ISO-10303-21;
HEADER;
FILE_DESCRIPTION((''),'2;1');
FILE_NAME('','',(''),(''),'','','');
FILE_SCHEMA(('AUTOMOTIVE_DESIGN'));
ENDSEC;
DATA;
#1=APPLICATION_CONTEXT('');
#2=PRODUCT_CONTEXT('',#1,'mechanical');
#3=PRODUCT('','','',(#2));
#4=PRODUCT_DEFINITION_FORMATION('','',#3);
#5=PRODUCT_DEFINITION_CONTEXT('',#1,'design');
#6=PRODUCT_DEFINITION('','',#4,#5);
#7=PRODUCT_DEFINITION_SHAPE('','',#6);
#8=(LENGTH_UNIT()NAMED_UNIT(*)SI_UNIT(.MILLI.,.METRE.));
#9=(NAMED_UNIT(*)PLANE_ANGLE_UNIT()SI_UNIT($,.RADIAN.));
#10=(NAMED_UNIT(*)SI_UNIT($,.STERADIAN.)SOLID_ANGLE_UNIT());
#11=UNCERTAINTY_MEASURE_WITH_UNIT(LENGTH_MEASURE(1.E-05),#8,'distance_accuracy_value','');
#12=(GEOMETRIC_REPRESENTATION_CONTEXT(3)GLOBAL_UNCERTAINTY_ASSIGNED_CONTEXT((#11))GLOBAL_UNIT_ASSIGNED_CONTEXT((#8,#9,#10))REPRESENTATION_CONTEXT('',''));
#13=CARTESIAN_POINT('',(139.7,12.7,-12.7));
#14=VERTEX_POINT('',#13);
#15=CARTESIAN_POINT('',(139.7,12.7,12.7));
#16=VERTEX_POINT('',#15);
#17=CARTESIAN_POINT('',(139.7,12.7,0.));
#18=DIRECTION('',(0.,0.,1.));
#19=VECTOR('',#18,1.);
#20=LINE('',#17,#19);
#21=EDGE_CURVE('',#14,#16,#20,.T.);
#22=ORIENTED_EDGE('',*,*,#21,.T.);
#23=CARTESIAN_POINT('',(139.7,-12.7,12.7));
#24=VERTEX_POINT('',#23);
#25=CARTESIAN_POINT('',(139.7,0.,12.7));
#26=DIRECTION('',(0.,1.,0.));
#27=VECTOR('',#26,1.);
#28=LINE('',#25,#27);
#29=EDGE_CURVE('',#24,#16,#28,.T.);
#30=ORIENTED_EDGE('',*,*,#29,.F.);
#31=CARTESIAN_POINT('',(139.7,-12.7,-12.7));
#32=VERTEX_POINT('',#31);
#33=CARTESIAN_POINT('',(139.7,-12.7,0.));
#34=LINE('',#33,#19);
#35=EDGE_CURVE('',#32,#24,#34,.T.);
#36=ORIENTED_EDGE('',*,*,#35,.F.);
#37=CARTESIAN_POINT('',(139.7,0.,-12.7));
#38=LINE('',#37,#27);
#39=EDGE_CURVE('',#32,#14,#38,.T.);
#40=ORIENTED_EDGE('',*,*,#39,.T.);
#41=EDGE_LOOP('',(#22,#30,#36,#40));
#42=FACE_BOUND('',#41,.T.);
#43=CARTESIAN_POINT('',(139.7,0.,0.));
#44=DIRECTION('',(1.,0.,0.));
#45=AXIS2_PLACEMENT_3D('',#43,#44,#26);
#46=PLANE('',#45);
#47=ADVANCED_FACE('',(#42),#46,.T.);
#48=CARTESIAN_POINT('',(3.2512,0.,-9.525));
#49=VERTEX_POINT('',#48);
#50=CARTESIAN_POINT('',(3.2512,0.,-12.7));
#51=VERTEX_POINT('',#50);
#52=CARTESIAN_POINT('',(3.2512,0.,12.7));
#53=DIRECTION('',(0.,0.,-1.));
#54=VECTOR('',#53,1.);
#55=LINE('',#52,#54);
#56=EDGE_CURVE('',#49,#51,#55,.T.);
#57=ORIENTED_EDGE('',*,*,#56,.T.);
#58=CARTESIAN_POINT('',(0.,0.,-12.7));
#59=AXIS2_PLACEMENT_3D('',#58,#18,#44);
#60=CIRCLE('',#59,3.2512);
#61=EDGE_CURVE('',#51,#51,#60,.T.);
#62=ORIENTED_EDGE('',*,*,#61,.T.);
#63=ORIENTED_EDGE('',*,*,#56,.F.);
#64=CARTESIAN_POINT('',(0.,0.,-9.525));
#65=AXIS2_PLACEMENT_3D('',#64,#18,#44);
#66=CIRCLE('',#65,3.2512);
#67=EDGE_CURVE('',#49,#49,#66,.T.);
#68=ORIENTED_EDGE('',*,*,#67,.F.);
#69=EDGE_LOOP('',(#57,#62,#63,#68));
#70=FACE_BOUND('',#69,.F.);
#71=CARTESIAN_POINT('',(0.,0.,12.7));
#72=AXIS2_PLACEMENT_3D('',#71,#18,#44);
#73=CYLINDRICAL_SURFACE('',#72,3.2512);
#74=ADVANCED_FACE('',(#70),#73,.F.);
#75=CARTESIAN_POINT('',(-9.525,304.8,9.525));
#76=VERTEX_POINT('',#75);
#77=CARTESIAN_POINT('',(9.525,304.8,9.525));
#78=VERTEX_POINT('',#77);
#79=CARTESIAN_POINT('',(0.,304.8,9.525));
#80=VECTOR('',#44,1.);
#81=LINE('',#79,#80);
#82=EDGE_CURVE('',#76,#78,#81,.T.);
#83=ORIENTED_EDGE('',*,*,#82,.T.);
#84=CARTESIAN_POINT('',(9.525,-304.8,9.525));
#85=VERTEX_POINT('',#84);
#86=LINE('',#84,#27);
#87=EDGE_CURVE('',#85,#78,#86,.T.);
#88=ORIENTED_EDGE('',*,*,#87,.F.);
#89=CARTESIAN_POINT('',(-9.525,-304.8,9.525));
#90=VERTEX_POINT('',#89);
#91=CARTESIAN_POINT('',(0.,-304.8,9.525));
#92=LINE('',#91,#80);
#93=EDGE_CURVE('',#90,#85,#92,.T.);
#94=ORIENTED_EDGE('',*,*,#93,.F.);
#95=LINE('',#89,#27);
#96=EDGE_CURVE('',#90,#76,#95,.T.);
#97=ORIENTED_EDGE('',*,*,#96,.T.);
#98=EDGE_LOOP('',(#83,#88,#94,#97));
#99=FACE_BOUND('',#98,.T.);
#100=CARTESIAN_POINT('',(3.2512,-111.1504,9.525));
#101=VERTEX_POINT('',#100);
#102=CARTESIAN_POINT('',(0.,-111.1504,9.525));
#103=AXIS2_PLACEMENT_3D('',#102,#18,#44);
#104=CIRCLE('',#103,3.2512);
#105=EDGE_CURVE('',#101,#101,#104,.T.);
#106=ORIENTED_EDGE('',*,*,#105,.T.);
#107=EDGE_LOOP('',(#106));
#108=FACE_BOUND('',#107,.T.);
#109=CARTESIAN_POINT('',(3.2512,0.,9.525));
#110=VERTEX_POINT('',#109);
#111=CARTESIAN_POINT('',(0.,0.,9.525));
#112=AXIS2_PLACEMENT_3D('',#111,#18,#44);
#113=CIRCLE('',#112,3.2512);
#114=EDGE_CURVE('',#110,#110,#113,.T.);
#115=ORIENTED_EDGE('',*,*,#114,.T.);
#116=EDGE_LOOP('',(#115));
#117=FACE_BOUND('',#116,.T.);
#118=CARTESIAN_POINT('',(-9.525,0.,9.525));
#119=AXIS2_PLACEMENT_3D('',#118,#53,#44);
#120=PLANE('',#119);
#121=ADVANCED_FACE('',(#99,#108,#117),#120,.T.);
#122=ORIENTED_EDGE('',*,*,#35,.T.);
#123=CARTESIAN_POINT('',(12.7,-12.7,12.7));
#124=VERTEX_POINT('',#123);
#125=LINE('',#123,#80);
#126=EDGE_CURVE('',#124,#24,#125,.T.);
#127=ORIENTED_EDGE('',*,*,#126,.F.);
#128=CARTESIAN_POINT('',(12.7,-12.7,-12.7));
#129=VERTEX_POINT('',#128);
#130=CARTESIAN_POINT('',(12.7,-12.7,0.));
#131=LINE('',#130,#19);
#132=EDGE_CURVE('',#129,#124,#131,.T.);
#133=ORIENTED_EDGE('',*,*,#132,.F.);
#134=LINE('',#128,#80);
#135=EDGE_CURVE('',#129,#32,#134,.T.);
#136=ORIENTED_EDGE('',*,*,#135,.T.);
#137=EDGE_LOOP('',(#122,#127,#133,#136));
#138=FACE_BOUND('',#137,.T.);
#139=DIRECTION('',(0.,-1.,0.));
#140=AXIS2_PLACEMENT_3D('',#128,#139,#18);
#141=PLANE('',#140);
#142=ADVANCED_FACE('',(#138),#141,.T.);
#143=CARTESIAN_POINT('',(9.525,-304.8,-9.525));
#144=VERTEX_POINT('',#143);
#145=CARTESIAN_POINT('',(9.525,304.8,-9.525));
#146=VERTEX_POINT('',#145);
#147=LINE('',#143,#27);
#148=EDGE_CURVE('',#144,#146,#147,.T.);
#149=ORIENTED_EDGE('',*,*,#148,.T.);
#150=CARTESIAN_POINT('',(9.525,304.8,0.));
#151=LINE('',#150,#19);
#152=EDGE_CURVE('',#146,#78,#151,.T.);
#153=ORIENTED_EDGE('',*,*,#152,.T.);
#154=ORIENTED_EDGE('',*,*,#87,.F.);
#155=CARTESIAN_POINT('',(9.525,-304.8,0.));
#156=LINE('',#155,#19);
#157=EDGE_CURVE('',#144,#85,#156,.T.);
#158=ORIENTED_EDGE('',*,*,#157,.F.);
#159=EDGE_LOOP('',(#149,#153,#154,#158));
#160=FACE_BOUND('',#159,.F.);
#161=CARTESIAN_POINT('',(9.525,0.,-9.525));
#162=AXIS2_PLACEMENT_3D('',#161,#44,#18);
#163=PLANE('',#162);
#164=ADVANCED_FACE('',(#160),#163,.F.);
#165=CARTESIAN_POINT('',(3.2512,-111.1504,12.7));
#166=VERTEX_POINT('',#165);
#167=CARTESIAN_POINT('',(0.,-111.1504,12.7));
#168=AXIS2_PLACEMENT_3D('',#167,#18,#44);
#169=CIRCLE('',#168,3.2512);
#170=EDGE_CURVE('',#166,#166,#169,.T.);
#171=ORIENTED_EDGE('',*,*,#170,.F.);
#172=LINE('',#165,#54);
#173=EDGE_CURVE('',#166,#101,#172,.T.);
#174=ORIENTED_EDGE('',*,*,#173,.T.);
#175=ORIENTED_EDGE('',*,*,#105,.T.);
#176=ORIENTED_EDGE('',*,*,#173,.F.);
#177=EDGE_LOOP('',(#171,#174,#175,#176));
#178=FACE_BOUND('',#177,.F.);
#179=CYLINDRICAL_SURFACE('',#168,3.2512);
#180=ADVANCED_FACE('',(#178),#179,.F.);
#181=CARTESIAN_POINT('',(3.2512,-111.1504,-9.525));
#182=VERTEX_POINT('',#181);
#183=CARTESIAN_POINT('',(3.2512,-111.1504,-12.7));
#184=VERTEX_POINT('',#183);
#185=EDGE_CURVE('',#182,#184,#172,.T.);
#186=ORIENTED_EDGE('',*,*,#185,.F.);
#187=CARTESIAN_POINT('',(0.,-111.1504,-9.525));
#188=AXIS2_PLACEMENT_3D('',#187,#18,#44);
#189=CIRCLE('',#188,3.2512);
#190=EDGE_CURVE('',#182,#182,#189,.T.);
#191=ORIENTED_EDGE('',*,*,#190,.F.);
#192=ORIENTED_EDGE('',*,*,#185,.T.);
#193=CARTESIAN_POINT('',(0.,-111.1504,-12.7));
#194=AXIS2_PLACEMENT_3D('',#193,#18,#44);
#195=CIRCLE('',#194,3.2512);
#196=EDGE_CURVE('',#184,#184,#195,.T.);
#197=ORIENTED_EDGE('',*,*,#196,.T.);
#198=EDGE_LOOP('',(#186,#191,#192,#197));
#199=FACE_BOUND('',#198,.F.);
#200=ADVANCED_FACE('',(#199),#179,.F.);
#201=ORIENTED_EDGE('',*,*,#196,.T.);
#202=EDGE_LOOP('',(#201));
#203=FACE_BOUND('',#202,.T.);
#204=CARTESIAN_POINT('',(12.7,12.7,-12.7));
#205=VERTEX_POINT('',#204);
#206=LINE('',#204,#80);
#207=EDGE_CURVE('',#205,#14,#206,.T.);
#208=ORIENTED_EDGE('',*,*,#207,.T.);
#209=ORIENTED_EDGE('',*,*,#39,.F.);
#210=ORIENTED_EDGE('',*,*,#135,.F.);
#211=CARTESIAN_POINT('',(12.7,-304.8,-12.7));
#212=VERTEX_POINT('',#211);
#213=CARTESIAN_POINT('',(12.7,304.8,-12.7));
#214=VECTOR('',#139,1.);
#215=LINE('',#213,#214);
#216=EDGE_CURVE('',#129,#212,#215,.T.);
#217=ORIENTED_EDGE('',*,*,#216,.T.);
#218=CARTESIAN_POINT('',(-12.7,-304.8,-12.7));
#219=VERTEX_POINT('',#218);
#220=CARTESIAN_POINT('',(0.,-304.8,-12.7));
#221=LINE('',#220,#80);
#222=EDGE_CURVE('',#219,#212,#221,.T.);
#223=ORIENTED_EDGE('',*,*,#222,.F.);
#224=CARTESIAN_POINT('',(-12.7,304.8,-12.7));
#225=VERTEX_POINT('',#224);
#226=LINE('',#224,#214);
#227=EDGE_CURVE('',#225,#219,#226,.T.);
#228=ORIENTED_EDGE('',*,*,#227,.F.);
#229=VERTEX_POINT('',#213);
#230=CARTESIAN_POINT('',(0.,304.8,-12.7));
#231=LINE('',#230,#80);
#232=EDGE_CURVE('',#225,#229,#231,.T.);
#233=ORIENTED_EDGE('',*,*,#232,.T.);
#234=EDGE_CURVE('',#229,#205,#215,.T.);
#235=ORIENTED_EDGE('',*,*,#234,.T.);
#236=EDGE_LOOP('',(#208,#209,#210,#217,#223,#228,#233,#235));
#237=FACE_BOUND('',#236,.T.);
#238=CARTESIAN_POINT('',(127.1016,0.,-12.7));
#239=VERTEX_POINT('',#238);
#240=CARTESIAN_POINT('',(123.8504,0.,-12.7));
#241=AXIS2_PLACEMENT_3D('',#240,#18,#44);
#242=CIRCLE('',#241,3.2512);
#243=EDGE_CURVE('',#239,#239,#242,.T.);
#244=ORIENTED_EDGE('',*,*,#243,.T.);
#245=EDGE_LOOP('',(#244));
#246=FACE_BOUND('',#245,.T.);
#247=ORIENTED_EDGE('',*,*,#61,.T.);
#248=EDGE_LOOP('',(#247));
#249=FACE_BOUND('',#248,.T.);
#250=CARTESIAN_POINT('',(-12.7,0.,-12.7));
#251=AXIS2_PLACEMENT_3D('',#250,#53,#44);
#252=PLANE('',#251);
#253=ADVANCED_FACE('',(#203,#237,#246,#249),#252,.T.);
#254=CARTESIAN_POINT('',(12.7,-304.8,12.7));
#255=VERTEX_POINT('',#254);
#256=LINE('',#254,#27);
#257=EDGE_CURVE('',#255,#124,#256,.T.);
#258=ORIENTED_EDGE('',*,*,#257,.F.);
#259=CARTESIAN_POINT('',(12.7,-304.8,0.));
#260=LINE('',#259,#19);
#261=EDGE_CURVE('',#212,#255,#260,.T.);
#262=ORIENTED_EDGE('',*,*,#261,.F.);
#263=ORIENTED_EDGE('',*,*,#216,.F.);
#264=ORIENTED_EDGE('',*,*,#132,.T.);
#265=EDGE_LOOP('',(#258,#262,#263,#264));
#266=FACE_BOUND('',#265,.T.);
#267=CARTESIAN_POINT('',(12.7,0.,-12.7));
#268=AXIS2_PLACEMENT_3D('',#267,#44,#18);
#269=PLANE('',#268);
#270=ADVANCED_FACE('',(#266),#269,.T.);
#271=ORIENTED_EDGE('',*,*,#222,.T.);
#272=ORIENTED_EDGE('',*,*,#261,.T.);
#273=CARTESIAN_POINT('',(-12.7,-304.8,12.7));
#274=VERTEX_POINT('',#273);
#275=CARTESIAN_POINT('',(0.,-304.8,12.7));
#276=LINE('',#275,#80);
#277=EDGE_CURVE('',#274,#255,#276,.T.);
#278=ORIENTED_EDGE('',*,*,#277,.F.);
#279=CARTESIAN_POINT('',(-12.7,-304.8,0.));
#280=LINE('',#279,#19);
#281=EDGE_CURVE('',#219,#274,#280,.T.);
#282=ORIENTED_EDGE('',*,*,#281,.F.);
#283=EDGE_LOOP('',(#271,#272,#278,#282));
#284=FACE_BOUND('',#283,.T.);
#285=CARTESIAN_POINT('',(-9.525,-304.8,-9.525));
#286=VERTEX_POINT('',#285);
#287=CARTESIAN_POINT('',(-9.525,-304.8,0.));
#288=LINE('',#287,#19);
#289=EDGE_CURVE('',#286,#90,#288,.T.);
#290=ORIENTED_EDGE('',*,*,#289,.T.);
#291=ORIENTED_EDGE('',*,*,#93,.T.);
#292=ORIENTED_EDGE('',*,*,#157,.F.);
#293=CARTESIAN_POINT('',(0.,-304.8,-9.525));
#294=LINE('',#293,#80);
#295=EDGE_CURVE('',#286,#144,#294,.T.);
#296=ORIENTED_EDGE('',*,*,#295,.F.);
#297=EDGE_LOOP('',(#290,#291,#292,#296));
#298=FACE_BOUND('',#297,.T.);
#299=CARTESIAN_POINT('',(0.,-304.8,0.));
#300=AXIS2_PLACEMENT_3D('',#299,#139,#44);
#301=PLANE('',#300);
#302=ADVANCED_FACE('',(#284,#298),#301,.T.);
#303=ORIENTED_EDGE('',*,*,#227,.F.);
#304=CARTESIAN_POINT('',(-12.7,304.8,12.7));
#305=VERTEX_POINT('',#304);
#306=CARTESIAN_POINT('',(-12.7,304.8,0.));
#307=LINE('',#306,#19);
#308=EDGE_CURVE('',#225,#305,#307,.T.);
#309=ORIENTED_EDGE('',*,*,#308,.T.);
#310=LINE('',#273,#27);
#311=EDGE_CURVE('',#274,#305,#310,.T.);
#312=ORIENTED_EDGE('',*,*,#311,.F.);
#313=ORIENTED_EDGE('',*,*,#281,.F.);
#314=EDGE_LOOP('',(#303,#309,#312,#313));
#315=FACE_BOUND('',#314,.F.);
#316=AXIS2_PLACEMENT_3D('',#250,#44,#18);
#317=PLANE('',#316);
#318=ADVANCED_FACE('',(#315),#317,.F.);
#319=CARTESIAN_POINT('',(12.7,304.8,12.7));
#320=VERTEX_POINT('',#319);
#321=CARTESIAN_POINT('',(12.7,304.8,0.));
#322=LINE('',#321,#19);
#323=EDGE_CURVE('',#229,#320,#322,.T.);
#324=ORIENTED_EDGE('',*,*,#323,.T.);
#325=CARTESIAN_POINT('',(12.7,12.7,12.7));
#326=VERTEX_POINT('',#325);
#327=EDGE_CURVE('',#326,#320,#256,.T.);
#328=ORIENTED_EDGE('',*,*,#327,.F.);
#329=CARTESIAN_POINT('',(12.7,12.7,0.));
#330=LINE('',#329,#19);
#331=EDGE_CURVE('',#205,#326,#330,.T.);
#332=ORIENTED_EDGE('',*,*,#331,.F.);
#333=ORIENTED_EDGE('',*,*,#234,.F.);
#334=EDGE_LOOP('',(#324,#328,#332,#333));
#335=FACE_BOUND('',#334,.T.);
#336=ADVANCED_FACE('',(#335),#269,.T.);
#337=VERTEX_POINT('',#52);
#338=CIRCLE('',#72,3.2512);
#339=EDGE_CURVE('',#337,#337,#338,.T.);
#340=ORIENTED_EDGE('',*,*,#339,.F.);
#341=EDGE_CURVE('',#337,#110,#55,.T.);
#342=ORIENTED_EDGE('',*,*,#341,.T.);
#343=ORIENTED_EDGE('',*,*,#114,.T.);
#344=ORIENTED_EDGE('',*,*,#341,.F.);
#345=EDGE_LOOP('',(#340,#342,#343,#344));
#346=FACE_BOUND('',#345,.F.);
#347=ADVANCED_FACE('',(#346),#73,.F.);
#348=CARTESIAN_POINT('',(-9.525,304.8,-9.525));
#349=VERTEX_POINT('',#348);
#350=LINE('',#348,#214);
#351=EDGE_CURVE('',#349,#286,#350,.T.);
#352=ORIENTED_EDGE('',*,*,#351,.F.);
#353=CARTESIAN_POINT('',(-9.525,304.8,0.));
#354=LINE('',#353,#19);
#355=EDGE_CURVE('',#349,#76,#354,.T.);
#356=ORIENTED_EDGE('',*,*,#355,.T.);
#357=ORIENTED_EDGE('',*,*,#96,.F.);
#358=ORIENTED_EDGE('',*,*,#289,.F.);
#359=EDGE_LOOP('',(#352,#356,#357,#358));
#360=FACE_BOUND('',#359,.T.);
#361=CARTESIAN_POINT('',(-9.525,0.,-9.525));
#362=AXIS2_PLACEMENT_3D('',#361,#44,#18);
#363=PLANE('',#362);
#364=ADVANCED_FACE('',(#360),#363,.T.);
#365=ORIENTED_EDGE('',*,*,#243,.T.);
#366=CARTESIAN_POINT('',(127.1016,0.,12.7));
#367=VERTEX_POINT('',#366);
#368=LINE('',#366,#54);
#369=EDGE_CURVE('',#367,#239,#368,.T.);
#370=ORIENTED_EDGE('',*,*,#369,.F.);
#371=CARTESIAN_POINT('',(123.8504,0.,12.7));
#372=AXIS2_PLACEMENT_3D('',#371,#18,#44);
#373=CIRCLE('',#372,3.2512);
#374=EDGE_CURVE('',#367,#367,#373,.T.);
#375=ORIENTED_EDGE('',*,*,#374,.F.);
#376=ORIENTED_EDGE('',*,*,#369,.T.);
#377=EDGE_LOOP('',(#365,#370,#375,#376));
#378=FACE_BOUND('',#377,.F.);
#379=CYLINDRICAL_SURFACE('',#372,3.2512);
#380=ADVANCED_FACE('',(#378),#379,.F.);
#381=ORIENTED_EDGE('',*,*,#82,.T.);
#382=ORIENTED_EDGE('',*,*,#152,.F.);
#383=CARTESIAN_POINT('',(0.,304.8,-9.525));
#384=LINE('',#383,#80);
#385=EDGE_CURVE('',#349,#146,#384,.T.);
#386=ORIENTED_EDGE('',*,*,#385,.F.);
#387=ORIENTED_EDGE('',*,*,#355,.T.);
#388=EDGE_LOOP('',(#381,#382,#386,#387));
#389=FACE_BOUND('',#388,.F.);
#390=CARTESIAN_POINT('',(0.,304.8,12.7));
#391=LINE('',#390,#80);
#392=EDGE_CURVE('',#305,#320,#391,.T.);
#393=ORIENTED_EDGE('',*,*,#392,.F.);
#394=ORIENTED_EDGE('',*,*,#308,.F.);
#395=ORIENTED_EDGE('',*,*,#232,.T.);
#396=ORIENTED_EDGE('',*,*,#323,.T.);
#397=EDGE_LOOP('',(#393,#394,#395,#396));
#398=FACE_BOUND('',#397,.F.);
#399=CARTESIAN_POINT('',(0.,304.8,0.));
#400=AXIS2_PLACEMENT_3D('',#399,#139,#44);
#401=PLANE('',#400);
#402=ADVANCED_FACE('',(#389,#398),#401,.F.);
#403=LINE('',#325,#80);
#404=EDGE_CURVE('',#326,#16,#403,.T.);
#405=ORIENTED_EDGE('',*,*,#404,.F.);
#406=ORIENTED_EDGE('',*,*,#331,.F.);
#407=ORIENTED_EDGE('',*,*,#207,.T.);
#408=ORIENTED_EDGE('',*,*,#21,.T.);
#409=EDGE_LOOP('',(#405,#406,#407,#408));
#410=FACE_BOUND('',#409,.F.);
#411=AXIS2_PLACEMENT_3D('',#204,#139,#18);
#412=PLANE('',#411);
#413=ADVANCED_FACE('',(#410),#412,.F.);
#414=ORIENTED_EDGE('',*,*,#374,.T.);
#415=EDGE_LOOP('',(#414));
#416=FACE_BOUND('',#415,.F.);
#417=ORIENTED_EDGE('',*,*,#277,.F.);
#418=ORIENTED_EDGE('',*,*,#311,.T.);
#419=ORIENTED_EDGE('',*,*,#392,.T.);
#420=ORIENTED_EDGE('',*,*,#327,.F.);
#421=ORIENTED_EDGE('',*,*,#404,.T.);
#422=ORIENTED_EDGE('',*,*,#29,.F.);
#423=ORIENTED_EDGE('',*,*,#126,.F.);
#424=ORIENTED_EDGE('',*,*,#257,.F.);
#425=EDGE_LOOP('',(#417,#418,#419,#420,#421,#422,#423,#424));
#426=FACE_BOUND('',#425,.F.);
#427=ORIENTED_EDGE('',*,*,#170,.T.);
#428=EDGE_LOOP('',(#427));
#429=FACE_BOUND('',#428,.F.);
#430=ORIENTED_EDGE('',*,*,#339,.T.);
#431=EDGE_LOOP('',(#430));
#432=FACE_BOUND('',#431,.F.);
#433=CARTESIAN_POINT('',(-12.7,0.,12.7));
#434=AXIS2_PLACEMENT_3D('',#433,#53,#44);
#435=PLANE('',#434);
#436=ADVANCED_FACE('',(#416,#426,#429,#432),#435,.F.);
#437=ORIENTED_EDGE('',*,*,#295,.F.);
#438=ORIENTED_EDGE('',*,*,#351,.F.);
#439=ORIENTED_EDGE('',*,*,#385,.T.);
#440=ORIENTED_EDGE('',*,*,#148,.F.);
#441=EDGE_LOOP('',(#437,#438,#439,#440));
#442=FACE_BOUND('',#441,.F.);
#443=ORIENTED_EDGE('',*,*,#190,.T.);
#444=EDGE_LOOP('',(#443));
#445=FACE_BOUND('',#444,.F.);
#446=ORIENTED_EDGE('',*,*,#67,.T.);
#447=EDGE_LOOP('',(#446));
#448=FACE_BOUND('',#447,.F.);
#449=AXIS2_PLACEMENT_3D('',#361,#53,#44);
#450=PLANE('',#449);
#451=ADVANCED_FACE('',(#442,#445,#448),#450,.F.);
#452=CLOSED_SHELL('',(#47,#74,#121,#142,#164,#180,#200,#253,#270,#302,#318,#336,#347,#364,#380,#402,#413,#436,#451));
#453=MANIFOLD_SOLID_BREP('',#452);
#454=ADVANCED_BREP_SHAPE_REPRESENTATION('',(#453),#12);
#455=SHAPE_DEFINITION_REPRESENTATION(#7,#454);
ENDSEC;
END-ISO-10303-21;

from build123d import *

# Parameters (mm, degrees)
F0_W     = 25.4
F0_H     = 25.4
F0_W_2   = 19.05
F0_H_2   = 19.05
F1_DEPTH = 304.8
F2_W     = 25.4
F2_H     = 25.4
F3_DEPTH = 127
F4_R     = 3.2512
F5_DEPTH = 25.401


with BuildPart() as f1:
    # F0 (on Front) → F1 (new body, symmetric)
    with BuildSketch(Plane.XZ):
        Rectangle(F0_W, F0_H)
        Rectangle(F0_W_2, F0_H_2, mode=Mode.SUBTRACT)
    extrude(amount=F1_DEPTH, both=True)

    # F2 (on face) → F3 (join)
    with BuildSketch(Plane.YZ.offset(12.7)):
        Rectangle(F2_W, F2_H)
    extrude(amount=F3_DEPTH)

    # F4 (on face) → F5 (cut, through all)
    with BuildSketch(Plane.XY.offset(12.7)):
        Circle(F4_R)
        with Locations((123.8504, 0)):
            Circle(F4_R)
        with Locations((0, -111.1504)):
            Circle(F4_R)
    extrude(amount=-F5_DEPTH, mode=Mode.SUBTRACT)


solid = f1.part
